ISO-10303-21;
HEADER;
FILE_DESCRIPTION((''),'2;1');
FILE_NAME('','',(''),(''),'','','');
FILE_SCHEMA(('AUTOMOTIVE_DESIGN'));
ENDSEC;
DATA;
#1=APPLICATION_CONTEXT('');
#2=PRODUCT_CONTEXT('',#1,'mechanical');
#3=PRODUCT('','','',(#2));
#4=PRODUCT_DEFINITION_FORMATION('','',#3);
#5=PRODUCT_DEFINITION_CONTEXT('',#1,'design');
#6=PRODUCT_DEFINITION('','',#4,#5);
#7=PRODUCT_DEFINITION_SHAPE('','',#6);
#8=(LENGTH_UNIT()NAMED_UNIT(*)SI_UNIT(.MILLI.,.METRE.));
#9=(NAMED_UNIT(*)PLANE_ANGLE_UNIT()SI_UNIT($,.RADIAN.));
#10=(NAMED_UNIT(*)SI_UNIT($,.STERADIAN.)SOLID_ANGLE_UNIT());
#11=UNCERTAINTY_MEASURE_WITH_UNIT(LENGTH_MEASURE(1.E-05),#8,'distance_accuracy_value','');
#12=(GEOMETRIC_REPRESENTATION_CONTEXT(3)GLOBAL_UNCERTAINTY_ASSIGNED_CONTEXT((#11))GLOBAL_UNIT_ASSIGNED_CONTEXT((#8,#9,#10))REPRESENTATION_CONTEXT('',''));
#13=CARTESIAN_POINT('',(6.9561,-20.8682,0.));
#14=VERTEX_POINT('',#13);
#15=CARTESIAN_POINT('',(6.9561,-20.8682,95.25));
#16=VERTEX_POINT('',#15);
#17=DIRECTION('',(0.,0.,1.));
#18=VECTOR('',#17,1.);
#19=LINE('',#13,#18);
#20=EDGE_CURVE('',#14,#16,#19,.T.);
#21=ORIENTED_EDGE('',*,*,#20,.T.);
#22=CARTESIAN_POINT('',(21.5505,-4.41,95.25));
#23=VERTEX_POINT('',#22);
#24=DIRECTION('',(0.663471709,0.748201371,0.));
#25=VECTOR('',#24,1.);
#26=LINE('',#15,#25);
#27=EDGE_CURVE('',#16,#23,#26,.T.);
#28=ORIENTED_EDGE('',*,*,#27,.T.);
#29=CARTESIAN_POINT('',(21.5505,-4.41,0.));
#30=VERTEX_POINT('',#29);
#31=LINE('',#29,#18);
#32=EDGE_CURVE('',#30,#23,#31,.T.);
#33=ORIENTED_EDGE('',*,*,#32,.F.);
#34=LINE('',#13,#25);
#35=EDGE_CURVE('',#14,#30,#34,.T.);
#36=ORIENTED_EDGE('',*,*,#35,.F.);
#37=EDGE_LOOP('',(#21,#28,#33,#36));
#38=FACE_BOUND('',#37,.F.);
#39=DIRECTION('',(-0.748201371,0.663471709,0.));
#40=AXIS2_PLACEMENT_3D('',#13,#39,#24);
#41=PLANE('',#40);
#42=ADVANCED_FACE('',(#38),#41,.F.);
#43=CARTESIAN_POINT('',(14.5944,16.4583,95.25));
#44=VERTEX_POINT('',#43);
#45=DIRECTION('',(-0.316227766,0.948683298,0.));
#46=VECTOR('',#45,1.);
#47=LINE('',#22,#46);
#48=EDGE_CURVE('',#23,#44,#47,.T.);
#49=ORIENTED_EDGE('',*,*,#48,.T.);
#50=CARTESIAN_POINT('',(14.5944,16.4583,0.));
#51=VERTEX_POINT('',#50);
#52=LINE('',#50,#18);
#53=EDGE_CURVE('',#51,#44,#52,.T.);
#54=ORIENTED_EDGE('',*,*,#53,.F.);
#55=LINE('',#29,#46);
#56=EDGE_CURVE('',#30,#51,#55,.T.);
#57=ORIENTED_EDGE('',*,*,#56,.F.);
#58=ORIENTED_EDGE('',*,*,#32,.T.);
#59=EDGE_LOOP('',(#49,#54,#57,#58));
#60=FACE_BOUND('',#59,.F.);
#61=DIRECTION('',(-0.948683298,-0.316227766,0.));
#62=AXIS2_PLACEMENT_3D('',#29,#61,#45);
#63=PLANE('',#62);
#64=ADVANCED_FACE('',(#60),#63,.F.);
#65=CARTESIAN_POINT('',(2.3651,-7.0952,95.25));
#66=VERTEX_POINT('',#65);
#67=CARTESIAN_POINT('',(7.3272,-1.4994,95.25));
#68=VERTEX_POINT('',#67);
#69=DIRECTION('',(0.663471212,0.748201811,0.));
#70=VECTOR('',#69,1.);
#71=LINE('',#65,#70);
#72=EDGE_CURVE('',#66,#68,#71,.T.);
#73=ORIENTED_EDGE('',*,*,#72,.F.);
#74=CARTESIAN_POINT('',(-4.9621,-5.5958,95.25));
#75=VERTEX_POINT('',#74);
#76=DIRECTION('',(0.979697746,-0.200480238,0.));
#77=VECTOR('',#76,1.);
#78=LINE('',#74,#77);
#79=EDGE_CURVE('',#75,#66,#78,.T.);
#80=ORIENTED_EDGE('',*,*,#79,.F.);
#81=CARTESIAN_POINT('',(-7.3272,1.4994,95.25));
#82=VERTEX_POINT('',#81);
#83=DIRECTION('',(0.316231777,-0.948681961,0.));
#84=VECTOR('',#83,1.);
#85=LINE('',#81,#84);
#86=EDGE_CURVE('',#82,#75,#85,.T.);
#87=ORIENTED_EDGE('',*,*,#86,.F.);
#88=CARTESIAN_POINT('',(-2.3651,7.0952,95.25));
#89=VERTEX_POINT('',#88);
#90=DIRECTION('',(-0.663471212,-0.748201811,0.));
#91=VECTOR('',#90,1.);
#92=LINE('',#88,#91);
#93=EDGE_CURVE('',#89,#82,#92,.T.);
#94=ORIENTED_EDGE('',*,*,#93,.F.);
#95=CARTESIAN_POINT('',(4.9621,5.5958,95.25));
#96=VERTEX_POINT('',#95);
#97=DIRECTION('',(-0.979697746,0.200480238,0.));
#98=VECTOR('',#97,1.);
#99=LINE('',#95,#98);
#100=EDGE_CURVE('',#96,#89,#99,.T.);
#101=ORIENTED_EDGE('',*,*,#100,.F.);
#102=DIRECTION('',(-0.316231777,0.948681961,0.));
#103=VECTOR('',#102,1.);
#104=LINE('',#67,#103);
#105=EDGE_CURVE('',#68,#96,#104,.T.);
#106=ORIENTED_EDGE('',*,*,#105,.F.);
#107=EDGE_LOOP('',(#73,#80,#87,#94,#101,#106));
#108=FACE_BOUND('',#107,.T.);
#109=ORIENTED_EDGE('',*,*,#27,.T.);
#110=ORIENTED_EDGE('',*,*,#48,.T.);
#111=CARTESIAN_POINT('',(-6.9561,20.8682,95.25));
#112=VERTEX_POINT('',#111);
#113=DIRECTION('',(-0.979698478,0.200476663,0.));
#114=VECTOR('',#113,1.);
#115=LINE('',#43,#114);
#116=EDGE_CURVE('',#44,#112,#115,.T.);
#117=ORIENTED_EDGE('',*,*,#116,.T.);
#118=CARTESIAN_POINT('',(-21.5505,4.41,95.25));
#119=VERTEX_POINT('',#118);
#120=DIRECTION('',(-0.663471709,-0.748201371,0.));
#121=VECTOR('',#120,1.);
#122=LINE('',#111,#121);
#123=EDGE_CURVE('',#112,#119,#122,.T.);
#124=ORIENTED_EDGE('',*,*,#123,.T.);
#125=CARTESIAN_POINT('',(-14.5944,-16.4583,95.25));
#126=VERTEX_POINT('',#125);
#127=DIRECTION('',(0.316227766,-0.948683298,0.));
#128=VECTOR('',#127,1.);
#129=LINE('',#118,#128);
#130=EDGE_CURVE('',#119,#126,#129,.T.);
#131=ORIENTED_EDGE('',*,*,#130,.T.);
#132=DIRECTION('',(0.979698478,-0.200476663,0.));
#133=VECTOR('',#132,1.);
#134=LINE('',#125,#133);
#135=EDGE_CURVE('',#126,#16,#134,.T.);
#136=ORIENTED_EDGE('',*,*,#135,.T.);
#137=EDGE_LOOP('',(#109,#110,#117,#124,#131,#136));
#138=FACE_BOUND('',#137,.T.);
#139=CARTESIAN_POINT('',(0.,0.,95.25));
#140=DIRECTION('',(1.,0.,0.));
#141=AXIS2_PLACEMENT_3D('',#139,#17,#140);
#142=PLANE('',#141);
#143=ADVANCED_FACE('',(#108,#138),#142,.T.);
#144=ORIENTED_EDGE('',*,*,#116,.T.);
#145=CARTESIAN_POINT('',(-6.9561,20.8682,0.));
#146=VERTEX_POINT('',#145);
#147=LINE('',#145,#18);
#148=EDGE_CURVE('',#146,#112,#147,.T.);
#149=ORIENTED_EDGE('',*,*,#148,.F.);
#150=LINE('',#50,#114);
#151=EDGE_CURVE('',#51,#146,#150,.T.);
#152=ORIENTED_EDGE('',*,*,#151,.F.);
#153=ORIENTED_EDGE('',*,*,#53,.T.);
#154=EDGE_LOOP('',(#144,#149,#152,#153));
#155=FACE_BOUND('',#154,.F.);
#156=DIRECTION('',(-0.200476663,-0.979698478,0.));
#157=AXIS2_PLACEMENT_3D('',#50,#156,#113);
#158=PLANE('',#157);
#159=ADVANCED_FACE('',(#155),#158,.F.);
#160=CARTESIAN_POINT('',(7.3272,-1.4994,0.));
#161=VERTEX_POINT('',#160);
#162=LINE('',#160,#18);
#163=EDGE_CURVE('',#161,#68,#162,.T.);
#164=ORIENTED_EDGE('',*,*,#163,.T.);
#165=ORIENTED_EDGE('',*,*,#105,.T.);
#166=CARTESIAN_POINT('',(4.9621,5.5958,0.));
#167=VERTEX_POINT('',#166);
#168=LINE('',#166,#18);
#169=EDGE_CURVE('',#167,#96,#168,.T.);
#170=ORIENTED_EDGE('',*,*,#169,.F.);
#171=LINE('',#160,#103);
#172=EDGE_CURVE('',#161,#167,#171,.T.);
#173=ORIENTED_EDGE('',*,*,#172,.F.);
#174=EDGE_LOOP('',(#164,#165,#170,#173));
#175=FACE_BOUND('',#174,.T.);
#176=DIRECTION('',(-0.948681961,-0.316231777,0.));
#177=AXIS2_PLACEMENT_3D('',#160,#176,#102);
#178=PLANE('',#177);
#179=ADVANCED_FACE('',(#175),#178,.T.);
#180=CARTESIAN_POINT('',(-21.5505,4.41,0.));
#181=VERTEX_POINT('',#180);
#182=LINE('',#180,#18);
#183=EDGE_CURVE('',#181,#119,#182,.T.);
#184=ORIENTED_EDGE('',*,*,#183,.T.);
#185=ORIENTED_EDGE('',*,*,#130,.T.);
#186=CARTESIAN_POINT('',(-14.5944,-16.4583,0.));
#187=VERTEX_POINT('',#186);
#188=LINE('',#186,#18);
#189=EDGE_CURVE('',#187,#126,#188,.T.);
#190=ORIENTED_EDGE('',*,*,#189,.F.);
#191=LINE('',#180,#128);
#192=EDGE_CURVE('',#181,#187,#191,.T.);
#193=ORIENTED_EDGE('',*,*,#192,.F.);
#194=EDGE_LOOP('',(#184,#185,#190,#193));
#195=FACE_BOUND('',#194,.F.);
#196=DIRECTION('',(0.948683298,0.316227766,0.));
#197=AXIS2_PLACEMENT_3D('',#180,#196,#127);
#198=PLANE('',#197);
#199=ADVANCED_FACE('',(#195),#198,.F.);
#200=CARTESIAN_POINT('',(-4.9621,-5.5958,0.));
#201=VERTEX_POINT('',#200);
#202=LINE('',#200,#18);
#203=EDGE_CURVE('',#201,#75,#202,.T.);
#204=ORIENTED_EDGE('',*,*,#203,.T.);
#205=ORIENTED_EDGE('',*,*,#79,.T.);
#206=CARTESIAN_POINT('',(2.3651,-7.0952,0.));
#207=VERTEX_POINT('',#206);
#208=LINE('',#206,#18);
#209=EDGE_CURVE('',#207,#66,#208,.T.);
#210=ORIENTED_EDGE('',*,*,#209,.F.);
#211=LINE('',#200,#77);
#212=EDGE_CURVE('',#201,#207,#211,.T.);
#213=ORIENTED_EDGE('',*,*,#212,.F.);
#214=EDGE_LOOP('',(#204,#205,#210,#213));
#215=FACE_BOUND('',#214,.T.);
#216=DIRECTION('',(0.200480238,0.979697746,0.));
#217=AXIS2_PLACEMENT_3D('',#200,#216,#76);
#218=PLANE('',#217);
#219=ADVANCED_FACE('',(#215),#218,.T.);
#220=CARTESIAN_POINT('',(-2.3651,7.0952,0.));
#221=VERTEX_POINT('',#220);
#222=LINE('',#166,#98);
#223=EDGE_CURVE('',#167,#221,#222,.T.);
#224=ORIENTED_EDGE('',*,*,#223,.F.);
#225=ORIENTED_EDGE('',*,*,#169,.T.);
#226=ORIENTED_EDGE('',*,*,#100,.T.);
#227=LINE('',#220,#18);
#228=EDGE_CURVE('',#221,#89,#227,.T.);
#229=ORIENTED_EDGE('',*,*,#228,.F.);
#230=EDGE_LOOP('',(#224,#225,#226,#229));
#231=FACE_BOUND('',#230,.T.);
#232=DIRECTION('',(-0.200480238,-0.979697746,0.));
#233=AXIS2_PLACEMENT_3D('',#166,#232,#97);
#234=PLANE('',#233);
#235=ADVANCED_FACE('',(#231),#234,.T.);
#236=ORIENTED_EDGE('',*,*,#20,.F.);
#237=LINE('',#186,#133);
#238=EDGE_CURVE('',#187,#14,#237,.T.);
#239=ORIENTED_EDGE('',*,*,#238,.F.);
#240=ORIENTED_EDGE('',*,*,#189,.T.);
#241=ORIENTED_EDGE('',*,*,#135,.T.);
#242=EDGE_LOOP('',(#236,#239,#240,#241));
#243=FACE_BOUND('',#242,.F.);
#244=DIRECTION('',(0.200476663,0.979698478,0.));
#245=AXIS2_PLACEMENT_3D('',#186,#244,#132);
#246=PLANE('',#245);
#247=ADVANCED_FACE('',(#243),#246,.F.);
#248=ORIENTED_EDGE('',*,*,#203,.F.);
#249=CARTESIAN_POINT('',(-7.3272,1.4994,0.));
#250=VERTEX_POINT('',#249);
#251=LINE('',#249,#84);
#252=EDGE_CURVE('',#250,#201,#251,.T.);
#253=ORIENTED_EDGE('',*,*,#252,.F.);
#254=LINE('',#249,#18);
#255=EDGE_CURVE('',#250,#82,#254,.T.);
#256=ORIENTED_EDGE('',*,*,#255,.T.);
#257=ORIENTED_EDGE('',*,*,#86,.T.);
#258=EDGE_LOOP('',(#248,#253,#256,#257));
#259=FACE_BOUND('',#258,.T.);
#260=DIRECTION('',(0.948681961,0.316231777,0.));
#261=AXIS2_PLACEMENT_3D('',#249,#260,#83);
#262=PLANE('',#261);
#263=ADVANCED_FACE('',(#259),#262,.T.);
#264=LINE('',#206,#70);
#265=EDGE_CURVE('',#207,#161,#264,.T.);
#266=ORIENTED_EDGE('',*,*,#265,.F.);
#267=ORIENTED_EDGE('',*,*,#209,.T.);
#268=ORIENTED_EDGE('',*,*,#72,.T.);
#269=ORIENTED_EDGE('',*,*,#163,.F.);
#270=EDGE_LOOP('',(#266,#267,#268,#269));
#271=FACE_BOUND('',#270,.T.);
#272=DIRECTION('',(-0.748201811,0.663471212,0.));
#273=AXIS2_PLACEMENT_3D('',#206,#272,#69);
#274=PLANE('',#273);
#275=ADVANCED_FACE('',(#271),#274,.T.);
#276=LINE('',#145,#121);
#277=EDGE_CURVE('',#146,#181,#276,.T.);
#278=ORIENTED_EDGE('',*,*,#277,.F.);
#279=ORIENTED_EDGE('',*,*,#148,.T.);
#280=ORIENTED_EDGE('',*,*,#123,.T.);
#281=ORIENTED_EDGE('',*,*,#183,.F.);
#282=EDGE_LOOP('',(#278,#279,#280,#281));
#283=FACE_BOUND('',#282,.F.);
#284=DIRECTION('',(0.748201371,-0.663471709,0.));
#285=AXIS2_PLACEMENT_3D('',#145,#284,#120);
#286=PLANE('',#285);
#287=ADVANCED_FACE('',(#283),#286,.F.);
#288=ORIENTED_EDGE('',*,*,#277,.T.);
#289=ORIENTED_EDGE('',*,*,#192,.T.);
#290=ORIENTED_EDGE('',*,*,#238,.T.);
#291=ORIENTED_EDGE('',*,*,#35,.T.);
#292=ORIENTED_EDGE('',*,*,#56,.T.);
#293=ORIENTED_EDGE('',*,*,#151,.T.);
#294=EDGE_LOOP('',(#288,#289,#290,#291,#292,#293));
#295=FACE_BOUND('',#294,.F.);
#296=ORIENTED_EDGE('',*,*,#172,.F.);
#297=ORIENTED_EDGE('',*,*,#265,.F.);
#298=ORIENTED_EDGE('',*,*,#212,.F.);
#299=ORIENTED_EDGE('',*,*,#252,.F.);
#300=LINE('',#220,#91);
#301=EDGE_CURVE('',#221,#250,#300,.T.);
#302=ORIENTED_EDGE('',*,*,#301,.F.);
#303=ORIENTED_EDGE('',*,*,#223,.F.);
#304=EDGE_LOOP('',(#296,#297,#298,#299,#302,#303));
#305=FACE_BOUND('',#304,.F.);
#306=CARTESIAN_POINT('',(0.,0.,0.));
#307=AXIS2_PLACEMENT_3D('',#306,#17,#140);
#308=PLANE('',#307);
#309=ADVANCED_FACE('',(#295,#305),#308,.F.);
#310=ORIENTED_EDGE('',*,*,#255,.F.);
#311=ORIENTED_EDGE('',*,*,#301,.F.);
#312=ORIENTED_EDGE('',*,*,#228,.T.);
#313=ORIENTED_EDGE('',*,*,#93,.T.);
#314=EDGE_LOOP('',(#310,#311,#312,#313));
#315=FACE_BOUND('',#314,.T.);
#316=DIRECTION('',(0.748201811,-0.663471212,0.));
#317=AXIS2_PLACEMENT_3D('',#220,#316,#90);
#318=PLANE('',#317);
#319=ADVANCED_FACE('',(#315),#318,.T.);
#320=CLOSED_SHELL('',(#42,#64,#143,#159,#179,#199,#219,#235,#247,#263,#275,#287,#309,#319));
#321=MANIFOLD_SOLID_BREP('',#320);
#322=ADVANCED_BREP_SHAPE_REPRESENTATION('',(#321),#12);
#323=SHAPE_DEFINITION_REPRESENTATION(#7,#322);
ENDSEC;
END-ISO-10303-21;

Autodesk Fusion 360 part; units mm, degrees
sketch "Sketch1" plane through (0, 0, 0) normal (0, 0, 1) x (1, 0, 0)
  line L0 (4.9621, 5.5958) -> (-2.3651, 7.0952)
  line L1 (-2.3651, 7.0952) -> (-7.3272, 1.4994)
  line L2 (-7.3272, 1.4994) -> (-4.9621, -5.5958)
  line L3 (-4.9621, -5.5958) -> (2.3651, -7.0952)
  line L4 (2.3651, -7.0952) -> (7.3272, -1.4994)
  line L5 (7.3272, -1.4994) -> (4.9621, 5.5958)
  line L6 (-6.9561, 20.8682) -> (-21.5505, 4.41)
  line L7 (-21.5505, 4.41) -> (-14.5944, -16.4583)
  line L8 (-14.5944, -16.4583) -> (6.9561, -20.8682)
  line L9 (6.9561, -20.8682) -> (21.5505, -4.41)
  line L10 (21.5505, -4.41) -> (14.5944, 16.4583)
  line L11 (14.5944, 16.4583) -> (-6.9561, 20.8682)
  dimension "d1" = 6.477
  dimension "d2" = 12.573
extrude "Extrude1" add sketch "Sketch1" along normal blind 95.25
equation "d2 = 0.75 in - d1"
